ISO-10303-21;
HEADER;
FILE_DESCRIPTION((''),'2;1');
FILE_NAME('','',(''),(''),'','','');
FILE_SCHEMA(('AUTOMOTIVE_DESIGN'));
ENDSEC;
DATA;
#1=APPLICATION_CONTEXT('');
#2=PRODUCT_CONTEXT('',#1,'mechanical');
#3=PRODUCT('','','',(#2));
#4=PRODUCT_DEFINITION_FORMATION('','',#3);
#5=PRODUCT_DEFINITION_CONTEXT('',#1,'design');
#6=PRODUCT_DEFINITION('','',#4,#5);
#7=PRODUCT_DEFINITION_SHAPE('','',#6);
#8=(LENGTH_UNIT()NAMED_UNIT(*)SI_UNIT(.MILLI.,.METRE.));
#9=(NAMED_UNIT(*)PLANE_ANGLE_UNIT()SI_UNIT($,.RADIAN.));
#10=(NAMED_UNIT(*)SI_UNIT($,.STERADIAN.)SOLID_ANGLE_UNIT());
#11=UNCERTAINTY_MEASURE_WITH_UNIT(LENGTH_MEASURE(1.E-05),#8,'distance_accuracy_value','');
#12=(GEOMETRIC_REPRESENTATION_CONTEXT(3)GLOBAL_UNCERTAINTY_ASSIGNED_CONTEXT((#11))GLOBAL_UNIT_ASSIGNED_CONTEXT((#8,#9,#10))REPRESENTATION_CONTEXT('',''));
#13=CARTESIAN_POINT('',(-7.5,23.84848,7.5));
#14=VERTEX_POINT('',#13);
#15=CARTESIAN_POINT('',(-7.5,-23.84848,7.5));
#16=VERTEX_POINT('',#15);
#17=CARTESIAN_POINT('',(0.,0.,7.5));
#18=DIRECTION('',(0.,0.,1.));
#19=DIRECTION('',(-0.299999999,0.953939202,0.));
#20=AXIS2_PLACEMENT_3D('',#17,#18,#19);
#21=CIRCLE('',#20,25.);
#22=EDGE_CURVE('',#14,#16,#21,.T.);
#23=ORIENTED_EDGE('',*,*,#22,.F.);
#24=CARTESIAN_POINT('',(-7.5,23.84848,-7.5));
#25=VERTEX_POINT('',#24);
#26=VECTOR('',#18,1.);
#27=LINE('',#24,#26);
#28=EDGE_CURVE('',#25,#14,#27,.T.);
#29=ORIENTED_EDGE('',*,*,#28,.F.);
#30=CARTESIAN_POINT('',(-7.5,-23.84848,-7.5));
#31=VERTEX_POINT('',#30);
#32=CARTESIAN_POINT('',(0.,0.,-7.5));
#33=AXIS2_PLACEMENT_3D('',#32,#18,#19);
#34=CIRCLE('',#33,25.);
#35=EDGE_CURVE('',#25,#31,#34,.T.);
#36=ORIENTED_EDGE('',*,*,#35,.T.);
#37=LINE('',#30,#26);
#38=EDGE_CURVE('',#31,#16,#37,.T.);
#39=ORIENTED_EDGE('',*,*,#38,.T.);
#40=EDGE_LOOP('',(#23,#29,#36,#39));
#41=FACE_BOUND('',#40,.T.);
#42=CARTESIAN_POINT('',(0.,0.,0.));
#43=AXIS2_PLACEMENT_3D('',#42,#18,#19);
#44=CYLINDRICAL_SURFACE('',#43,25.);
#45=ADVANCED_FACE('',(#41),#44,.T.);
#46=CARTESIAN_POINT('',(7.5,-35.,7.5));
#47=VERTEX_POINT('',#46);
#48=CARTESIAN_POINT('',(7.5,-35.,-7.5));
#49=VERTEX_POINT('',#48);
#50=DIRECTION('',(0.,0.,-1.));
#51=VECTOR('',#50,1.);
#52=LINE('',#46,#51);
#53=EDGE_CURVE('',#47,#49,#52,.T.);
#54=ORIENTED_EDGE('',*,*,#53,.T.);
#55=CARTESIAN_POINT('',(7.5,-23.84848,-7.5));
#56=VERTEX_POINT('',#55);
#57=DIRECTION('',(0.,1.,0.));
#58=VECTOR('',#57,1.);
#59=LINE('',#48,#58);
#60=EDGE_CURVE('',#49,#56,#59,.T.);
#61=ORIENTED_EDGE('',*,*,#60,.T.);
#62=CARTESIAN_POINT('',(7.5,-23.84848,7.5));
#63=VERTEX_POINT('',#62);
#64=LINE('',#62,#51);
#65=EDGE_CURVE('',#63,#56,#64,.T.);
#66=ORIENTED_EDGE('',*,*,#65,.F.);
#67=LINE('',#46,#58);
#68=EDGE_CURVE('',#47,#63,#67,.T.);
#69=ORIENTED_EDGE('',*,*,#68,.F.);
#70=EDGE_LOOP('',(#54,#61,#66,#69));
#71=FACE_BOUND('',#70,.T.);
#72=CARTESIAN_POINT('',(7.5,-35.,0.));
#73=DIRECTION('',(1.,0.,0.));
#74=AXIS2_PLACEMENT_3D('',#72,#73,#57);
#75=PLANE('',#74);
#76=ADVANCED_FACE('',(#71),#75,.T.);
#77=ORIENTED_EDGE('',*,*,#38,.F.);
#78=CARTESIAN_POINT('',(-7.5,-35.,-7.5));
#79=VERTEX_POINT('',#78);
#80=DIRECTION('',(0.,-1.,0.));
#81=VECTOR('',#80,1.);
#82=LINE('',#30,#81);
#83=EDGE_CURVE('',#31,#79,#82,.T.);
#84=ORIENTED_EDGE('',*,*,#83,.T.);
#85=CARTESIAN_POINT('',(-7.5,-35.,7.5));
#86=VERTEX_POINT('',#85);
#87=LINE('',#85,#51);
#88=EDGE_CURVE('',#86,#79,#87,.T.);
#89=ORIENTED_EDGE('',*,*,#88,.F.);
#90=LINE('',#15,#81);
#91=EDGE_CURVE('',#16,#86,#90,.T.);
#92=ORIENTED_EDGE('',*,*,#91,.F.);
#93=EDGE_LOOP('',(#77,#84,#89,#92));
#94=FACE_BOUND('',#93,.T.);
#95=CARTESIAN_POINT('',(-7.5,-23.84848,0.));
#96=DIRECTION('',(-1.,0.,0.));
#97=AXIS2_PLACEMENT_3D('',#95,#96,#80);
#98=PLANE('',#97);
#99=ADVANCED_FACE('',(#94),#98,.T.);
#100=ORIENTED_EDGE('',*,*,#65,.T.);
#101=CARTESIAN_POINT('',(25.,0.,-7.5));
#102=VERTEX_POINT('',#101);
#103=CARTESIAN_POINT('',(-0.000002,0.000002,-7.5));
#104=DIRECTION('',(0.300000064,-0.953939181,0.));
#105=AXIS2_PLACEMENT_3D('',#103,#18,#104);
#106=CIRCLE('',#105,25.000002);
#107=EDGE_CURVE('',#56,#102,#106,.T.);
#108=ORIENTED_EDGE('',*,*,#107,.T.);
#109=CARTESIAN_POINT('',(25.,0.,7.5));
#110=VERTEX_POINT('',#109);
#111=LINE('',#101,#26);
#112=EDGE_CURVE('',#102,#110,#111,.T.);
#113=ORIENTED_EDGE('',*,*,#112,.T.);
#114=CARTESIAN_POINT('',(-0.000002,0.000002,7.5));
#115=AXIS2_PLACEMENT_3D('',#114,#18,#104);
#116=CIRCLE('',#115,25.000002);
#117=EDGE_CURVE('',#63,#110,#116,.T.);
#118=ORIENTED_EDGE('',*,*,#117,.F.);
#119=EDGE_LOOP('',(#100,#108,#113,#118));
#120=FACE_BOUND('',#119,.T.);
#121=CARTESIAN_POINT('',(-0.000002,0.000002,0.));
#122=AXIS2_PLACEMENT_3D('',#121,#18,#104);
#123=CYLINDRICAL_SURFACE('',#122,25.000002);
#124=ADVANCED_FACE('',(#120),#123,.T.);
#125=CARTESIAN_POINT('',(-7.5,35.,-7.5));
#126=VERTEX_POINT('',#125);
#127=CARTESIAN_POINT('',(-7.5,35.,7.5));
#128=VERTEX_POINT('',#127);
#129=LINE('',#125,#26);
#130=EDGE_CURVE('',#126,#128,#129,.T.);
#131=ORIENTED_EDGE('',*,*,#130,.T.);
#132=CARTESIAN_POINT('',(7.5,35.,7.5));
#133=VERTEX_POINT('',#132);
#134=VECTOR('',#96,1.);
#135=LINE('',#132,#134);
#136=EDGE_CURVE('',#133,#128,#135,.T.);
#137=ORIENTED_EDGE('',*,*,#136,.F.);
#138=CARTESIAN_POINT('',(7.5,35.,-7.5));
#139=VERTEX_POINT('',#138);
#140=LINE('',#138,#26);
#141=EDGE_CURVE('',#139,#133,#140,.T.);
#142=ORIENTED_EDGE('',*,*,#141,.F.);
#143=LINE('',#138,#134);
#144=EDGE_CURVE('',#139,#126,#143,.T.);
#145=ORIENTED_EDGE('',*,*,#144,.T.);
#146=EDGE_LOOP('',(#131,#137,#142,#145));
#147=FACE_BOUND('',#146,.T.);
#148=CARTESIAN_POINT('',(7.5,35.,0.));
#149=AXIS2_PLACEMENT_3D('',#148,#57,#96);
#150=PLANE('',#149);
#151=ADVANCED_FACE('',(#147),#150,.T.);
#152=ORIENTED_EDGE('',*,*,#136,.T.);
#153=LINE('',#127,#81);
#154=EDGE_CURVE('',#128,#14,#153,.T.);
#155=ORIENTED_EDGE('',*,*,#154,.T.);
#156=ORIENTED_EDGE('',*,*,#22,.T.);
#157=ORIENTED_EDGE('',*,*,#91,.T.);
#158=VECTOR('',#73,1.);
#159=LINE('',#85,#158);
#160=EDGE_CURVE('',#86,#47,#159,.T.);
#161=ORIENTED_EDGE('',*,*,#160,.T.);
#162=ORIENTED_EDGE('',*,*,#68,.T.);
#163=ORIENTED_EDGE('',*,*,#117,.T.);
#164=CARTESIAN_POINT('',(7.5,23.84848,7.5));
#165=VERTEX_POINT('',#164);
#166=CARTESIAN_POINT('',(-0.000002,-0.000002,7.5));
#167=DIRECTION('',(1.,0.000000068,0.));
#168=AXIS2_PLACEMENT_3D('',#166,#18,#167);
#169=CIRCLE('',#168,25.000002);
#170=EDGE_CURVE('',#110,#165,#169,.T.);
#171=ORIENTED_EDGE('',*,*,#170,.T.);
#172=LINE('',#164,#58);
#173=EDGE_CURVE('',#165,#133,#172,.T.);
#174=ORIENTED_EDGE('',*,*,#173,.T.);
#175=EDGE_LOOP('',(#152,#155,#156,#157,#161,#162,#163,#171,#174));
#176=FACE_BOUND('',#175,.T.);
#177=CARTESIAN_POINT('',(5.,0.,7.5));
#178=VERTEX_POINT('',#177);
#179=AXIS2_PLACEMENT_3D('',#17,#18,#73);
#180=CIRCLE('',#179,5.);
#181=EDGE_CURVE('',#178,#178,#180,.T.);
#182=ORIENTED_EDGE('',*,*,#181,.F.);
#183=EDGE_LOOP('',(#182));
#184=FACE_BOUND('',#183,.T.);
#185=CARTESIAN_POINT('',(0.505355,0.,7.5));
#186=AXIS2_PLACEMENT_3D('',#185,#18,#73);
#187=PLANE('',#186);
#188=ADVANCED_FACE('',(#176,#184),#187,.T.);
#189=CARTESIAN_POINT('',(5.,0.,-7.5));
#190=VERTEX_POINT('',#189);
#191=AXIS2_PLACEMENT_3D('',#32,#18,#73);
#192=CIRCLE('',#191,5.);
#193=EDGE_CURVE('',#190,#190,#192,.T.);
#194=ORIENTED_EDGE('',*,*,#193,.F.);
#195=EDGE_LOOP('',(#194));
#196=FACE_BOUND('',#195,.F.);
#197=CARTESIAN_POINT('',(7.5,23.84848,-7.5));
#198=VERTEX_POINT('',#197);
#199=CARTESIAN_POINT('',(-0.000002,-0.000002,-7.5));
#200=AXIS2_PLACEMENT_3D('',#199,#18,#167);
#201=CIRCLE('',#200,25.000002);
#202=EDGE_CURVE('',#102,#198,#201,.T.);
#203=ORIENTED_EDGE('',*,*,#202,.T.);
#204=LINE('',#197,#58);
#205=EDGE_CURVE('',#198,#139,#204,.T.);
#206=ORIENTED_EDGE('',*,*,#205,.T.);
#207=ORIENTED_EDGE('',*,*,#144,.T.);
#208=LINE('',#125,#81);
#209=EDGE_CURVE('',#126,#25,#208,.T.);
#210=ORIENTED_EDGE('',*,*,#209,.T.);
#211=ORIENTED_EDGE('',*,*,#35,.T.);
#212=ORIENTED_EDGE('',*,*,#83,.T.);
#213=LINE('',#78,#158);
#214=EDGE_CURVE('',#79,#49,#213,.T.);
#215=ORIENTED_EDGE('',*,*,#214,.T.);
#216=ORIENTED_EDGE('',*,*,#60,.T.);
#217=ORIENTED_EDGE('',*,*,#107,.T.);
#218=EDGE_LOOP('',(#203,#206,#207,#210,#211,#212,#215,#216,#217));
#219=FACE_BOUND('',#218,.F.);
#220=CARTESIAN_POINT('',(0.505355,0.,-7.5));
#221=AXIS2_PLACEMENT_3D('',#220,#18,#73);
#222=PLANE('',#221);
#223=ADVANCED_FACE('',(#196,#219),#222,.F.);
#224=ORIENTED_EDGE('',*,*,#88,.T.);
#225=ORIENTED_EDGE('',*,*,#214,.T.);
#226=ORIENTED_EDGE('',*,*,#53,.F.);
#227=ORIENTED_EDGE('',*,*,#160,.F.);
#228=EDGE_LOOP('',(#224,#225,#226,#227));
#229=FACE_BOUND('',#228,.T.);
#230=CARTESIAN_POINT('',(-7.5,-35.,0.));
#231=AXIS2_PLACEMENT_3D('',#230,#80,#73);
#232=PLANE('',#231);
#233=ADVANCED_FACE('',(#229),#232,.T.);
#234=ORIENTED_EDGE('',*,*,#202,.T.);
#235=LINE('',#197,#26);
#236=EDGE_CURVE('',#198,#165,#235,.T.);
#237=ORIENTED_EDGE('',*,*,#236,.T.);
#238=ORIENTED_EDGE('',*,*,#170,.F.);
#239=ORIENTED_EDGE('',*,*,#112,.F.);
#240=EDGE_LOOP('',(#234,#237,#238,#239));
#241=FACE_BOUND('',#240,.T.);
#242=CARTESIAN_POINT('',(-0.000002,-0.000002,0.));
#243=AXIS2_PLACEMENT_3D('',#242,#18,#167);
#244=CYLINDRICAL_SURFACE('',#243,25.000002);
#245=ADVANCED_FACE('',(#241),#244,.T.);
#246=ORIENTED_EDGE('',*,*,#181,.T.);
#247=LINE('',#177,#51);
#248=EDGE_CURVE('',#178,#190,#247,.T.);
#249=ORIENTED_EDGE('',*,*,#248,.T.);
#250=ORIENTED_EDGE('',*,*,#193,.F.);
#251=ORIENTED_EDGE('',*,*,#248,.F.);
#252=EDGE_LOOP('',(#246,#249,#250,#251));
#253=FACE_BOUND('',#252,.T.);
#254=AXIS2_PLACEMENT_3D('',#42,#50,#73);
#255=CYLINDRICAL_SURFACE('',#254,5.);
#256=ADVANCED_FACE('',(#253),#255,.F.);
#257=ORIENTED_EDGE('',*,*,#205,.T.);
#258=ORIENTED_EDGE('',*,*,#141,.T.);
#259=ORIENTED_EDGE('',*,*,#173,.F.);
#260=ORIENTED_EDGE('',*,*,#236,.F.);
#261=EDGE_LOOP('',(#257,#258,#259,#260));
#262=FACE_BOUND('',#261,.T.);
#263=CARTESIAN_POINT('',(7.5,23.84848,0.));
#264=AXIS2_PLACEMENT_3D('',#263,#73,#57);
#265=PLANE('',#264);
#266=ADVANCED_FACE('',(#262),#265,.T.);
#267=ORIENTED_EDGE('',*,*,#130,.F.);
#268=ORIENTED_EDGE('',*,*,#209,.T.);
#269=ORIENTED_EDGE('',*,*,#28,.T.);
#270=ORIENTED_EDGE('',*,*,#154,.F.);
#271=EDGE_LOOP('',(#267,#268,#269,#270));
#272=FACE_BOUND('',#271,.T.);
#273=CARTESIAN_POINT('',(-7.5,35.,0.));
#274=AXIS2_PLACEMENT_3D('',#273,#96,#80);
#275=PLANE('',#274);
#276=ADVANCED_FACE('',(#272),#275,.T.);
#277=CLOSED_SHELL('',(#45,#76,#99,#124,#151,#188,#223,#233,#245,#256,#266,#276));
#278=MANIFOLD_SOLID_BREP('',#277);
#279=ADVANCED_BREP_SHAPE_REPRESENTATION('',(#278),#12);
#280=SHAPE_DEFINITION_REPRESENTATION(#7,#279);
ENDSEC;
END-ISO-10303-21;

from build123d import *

# Parameters (mm, degrees)
F0_R     = 5
F1_DEPTH = 7.5


with BuildPart() as f1:
    # F0 (on Top) → F1 (new body, symmetric)
    with BuildSketch(Plane.XY):
        with BuildLine():
            ThreePointArc((7.5, -23.84848), (20.155644, -14.790199), (25, 0))
            ThreePointArc((25, 0), (20.155644, 14.790199), (7.5, 23.84848))
            ThreePointArc((7.5, 23.84848), (0, 25), (-7.5, 23.84848))
            ThreePointArc((-7.5, 23.84848), (-25, 0), (-7.5, -23.84848))
            ThreePointArc((-7.5, -23.84848), (0, -25), (7.5, -23.84848))
        make_face()
        Circle(F0_R, mode=Mode.SUBTRACT)
        with BuildLine():
            ThreePointArc((-7.5, 23.84848), (0, 25), (7.5, 23.84848))
            Line((7.5, 23.84848), (7.5, 35))
            Line((7.5, 35), (-7.5, 35))
            Line((-7.5, 35), (-7.5, 23.84848))
        make_face()
        with BuildLine():
            Line((7.5, -35), (7.5, -23.84848))
            ThreePointArc((7.5, -23.84848), (0, -25), (-7.5, -23.84848))
            Line((-7.5, -23.84848), (-7.5, -35))
            Line((-7.5, -35), (7.5, -35))
        make_face()
    extrude(amount=F1_DEPTH, both=True)


solid = f1.part
